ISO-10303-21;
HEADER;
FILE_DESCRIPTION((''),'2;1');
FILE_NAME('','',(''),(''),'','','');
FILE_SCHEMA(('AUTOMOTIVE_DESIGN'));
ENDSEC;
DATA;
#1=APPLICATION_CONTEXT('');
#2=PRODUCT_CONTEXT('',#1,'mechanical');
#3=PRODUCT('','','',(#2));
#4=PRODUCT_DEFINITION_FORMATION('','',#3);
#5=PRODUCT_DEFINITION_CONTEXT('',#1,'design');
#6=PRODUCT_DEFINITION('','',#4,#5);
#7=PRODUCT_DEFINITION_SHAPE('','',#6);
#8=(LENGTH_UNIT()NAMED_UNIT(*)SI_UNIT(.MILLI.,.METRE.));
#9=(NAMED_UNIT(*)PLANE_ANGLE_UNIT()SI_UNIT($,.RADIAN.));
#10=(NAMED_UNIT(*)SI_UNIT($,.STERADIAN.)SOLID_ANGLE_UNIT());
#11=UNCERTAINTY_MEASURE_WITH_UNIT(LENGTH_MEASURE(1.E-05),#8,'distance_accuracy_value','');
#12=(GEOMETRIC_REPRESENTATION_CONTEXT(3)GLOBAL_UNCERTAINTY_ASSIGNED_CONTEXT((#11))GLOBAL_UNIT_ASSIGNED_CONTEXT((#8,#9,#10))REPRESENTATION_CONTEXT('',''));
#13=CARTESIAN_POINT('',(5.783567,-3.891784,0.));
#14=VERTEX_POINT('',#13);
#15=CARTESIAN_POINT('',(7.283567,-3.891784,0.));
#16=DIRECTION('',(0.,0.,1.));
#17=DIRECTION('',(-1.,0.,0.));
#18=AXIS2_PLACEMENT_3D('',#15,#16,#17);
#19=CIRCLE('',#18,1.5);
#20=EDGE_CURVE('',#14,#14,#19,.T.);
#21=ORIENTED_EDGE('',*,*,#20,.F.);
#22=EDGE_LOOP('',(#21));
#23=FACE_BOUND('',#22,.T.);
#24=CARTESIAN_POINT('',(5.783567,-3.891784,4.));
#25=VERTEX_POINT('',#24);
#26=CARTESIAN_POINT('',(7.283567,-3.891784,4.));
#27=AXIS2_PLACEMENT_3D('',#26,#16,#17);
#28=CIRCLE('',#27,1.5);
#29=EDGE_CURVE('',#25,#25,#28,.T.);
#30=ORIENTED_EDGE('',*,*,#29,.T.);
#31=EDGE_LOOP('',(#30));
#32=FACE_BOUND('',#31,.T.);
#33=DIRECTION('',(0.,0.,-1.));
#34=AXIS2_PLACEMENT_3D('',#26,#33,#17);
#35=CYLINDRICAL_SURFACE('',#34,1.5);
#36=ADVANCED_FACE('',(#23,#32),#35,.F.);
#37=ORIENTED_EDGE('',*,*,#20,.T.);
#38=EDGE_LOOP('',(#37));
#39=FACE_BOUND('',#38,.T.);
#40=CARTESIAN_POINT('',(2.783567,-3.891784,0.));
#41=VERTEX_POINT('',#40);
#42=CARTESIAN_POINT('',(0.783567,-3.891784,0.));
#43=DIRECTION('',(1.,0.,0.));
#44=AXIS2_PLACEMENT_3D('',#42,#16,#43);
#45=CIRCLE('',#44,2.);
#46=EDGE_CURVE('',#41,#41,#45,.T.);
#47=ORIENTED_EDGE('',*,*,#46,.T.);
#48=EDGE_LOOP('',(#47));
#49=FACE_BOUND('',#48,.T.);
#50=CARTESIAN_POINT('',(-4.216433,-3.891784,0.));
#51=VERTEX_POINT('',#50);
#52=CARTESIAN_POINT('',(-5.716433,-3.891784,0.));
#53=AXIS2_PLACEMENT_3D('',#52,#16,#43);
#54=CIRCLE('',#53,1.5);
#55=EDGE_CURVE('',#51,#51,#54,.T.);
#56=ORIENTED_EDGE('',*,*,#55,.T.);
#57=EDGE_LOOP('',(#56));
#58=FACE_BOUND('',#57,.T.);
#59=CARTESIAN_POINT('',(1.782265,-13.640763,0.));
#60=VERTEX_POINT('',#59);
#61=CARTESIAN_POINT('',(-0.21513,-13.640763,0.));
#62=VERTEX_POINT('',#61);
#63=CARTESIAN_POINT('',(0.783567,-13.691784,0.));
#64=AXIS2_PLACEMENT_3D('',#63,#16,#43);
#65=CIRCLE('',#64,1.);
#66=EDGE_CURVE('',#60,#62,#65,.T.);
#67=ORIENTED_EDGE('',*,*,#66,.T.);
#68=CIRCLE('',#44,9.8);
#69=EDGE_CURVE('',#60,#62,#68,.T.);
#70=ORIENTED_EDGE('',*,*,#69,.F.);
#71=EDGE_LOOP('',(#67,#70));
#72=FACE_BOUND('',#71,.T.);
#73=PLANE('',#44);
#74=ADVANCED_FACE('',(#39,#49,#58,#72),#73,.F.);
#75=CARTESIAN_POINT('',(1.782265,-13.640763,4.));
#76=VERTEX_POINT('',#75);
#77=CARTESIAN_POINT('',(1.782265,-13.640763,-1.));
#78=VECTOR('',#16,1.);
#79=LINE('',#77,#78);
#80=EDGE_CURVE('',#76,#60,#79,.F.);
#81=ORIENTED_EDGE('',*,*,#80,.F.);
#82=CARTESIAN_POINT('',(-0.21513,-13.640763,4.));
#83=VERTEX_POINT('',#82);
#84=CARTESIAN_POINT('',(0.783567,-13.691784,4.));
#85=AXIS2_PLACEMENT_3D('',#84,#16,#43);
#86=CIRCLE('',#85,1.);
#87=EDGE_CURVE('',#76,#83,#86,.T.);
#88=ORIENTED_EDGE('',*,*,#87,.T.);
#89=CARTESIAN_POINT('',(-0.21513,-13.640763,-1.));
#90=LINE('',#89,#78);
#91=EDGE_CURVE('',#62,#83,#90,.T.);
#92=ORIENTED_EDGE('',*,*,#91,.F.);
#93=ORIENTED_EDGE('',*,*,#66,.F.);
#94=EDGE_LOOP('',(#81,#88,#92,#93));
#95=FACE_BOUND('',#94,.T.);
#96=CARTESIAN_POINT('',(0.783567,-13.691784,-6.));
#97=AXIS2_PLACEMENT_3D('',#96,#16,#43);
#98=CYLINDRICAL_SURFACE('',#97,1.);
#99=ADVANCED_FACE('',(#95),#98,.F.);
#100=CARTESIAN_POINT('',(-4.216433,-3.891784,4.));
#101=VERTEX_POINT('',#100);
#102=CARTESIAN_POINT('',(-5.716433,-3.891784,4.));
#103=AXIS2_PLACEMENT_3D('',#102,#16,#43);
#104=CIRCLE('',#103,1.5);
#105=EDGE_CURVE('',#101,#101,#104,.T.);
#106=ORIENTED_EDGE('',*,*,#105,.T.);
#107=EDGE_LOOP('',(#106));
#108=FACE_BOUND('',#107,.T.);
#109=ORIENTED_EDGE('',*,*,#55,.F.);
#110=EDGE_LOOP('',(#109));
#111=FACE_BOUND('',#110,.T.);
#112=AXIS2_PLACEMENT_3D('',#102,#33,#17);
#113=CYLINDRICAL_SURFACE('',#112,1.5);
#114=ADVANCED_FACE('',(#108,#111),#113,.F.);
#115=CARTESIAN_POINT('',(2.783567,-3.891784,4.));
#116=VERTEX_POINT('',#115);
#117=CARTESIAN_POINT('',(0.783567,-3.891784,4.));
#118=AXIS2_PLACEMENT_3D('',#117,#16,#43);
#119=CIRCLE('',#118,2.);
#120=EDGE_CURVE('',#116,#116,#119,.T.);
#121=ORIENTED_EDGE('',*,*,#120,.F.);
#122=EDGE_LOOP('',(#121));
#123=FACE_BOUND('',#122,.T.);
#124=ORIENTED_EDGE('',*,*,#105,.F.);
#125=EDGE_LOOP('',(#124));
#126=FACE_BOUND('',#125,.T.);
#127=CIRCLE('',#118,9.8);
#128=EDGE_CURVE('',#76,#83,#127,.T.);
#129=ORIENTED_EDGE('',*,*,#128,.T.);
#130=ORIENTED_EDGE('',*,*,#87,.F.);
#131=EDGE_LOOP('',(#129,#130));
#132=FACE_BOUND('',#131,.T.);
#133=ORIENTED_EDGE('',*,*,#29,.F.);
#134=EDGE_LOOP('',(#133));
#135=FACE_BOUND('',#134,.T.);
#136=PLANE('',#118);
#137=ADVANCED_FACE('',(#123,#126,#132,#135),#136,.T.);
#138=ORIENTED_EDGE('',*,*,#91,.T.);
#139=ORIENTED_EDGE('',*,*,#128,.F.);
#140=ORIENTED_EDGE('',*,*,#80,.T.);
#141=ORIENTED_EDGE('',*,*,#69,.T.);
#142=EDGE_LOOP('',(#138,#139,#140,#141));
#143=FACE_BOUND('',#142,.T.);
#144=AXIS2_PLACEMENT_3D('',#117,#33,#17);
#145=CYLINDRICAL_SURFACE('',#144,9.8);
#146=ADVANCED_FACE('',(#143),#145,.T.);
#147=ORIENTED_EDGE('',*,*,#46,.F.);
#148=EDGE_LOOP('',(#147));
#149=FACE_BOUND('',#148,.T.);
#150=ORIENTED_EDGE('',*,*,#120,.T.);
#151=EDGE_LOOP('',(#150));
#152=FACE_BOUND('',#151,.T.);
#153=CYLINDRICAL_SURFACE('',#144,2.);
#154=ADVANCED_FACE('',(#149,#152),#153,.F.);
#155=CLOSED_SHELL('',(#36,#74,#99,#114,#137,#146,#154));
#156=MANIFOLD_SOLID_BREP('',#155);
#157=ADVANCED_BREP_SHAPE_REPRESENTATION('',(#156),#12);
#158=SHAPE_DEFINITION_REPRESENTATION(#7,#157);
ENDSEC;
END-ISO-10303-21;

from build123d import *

# Parameters (mm, degrees)
SKETCH_1_R          = 9.8
SKETCH_1_R_2        = 1.5
SKETCH_1_R_3        = 2
EXTRUDE_1_DEPTH     = 4
SKETCH_2_R          = 1
CUT_EXTRUDE_1_DEPTH = 10


with BuildPart() as part:
    # 草图1 → 凸台-拉伸1 (new body)
    with BuildSketch(Plane.XY):
        with Locations((0.783567134, -3.891783567)):
            Circle(SKETCH_1_R)
        with Locations((-5.716432866, -3.891783567)):
            Circle(SKETCH_1_R_2, mode=Mode.SUBTRACT)
        with Locations(Location((7.283567134, -3.891783567, 0), (0, 0, 180))):
            Circle(SKETCH_1_R_2, mode=Mode.SUBTRACT)
        with Locations((0.783567134, -3.891783567)):
            Circle(SKETCH_1_R_3, mode=Mode.SUBTRACT)
    extrude(amount=EXTRUDE_1_DEPTH)

    # 草图2 → 切除-拉伸1 (cut)
    with BuildSketch(Plane.XY.offset(4)):
        with Locations((0.783567134, -13.691783567)):
            Circle(SKETCH_2_R)
    extrude(amount=-CUT_EXTRUDE_1_DEPTH, mode=Mode.SUBTRACT)


solid = part.part
